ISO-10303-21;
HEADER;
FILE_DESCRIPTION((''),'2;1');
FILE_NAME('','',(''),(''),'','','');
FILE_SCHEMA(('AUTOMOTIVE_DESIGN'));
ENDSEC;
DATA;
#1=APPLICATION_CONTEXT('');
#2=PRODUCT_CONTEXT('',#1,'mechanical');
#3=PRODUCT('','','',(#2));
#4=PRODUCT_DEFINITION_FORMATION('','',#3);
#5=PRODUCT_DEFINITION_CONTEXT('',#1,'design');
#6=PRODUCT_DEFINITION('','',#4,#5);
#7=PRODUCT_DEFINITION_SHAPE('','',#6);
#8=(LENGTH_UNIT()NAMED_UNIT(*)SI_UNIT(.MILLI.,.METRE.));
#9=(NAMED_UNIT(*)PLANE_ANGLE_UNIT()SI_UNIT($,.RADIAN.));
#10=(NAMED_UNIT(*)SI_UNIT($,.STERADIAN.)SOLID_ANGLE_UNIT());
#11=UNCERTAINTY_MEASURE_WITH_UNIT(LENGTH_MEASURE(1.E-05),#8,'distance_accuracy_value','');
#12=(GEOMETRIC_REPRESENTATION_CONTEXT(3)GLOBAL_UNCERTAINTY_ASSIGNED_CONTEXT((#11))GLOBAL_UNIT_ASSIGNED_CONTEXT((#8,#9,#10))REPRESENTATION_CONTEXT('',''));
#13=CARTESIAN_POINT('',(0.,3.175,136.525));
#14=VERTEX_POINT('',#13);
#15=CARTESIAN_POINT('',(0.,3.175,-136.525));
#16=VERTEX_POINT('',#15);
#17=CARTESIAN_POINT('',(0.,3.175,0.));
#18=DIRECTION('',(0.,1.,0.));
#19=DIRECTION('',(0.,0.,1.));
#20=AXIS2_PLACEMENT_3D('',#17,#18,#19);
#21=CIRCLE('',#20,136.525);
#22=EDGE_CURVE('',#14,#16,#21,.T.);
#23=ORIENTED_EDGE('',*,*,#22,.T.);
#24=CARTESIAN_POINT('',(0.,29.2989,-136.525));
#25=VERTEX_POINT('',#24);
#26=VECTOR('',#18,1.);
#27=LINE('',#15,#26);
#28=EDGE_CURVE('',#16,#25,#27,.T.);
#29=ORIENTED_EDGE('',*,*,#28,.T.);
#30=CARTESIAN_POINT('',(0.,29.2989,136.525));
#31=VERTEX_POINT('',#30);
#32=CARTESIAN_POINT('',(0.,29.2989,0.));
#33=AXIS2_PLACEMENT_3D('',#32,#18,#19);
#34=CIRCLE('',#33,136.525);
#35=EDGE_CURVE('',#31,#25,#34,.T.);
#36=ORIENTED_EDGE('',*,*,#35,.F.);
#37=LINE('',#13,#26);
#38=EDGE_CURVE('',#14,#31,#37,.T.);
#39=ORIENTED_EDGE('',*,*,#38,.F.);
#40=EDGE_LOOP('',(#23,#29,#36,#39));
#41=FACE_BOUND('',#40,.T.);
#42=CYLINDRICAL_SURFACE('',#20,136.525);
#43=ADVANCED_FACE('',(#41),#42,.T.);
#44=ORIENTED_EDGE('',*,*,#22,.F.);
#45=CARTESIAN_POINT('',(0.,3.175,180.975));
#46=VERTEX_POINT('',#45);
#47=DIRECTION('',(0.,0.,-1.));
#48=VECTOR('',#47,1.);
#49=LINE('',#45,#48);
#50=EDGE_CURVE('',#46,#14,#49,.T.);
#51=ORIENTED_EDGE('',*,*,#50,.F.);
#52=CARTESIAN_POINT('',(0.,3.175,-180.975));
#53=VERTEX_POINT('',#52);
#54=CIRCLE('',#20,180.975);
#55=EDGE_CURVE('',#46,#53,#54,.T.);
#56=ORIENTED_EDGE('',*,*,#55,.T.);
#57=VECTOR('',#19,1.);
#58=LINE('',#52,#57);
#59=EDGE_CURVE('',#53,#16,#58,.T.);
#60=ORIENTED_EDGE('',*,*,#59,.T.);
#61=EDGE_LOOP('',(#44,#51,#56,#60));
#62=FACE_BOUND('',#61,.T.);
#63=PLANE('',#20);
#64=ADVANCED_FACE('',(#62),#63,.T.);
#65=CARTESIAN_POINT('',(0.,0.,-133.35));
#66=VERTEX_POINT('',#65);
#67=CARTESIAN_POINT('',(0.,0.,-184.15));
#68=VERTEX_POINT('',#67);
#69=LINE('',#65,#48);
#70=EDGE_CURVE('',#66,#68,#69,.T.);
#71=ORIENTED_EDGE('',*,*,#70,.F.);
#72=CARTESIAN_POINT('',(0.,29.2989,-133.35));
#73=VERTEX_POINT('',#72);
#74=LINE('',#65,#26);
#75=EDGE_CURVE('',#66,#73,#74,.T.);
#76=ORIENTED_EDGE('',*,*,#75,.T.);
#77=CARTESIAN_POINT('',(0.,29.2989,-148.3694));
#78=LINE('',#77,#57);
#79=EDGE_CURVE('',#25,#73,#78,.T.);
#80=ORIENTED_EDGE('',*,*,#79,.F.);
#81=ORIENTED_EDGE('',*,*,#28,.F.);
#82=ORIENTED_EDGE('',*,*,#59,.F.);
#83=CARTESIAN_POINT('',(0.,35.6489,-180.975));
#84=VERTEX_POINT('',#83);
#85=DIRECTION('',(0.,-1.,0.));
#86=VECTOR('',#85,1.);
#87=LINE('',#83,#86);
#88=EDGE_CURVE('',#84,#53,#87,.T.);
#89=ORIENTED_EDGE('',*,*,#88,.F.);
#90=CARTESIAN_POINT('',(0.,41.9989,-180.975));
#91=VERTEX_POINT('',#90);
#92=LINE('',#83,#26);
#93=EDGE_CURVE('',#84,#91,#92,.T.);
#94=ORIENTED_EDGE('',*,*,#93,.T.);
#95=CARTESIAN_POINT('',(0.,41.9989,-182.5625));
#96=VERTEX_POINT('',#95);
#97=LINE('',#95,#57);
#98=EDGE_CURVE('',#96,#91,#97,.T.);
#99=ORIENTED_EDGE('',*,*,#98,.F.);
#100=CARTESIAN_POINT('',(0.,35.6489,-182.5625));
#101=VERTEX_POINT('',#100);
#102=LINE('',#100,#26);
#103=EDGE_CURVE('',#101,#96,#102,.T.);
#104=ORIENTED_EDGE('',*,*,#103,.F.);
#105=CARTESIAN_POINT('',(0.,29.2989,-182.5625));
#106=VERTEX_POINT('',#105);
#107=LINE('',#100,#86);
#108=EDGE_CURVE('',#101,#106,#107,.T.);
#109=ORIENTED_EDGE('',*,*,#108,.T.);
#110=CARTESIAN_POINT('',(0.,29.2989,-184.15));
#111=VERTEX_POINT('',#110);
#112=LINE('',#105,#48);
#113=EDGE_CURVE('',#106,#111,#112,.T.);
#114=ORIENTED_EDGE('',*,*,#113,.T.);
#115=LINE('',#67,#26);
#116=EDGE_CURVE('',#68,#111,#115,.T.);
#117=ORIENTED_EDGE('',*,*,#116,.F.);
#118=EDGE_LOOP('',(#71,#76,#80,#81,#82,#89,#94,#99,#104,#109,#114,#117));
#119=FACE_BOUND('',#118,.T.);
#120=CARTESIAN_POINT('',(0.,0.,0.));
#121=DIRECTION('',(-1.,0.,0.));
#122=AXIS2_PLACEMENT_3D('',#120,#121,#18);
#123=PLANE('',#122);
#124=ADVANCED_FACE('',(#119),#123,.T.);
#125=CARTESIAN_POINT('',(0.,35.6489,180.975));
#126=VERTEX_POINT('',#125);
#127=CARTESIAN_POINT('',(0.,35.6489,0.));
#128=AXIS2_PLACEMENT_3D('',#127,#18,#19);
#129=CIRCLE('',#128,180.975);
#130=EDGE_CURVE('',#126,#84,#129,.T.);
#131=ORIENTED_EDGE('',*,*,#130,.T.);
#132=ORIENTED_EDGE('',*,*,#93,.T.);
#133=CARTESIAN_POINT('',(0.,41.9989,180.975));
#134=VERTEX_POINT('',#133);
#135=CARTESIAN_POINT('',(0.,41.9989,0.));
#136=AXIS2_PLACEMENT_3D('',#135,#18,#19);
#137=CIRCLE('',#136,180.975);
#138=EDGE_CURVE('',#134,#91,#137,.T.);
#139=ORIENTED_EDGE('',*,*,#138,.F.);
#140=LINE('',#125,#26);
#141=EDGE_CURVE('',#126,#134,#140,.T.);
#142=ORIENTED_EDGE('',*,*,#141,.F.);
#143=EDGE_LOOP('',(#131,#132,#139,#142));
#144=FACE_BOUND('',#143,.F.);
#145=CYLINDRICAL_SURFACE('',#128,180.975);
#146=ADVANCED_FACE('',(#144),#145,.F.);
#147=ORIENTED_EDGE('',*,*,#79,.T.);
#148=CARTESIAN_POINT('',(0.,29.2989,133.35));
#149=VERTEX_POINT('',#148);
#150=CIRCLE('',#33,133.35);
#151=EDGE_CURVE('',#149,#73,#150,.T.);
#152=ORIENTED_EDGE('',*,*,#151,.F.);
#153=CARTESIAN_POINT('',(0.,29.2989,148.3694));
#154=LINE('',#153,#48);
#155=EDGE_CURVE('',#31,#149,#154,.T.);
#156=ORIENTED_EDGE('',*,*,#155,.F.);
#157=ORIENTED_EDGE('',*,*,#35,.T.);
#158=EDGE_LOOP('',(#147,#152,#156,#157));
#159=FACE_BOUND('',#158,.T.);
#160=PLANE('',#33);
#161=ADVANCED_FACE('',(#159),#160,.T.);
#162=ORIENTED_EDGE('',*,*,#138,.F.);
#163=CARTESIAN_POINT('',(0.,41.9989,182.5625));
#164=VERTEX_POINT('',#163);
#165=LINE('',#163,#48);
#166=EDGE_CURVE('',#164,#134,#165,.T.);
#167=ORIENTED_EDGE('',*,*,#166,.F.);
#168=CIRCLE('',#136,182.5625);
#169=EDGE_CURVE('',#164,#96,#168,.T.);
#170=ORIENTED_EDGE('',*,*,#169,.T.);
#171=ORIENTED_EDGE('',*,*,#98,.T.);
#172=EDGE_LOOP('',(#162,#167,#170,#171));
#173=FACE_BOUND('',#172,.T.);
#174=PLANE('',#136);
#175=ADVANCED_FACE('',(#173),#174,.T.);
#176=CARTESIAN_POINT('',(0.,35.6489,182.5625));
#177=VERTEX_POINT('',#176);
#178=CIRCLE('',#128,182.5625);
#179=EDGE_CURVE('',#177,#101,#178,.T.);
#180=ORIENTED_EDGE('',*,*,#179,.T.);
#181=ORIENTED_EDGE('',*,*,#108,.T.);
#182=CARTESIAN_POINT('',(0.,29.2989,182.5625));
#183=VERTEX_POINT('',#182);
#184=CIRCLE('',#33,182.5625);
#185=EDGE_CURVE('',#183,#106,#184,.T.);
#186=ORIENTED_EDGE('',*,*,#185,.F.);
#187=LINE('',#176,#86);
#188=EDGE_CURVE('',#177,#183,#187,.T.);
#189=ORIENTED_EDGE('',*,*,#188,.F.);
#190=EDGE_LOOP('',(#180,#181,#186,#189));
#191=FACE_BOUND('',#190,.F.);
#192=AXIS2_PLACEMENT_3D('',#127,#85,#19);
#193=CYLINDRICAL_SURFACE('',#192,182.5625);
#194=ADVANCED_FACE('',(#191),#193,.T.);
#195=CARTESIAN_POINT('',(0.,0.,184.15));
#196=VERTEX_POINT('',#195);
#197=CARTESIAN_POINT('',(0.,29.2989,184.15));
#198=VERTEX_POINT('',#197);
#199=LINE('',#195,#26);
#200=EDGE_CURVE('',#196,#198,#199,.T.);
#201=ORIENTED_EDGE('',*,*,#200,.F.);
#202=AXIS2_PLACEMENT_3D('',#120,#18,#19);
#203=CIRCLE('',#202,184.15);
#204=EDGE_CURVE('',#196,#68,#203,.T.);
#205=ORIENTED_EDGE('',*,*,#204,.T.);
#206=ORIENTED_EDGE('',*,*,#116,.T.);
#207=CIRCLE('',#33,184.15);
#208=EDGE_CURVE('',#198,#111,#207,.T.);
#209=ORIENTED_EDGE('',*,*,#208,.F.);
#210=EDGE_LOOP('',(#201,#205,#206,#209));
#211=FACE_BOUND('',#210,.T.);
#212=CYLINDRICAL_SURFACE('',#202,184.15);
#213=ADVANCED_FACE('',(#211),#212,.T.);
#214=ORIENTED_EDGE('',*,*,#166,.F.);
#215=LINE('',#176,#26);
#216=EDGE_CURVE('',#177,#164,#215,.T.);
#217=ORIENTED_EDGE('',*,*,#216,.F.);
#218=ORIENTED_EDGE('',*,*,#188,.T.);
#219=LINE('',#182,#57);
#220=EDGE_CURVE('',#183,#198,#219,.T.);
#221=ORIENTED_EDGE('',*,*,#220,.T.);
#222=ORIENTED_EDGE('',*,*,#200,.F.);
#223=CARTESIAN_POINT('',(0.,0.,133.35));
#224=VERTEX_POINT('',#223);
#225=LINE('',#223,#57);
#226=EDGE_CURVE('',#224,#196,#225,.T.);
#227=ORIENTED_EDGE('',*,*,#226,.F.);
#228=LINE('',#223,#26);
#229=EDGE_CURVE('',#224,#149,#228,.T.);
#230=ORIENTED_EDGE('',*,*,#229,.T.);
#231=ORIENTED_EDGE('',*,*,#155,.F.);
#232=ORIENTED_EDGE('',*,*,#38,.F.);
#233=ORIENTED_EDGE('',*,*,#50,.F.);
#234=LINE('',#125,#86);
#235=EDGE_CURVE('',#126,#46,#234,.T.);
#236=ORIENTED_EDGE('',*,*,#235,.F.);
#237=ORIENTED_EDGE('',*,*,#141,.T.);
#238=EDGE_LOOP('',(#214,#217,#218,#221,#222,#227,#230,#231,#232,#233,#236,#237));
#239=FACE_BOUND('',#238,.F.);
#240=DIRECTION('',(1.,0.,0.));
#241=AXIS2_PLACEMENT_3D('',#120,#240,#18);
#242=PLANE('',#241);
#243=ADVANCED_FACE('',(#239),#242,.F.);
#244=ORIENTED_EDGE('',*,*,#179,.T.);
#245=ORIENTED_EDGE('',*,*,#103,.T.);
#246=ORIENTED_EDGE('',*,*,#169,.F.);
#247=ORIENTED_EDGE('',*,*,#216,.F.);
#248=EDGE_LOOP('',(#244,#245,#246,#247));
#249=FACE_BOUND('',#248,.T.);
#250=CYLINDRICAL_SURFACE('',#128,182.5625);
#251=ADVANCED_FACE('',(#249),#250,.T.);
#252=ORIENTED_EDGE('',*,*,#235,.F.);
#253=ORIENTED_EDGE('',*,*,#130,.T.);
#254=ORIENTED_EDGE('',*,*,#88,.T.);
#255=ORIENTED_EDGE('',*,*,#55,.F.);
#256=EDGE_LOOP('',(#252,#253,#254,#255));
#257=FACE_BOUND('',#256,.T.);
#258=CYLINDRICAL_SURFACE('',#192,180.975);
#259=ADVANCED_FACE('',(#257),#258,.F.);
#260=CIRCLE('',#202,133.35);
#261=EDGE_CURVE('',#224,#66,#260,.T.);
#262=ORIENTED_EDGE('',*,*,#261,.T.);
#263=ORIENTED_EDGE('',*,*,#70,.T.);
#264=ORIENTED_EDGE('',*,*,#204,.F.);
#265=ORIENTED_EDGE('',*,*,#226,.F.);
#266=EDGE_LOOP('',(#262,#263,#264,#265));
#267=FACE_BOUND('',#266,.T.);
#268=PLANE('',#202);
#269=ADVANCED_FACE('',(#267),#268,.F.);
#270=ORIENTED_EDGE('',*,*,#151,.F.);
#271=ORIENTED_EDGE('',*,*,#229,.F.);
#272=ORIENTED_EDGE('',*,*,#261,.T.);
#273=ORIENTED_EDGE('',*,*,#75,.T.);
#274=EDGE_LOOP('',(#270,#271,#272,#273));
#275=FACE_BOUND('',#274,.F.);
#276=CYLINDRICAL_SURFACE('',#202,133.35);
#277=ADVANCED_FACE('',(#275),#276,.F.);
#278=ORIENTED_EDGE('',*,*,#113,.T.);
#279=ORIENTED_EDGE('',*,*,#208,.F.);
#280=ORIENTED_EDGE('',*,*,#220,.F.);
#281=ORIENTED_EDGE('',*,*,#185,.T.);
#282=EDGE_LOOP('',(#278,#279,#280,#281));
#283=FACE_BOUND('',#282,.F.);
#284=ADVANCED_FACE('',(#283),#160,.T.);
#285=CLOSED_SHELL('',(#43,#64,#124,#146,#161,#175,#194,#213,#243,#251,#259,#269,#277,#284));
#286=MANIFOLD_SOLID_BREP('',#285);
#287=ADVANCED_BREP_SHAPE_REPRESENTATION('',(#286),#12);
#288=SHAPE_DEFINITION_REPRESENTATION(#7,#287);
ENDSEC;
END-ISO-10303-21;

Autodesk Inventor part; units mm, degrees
ref_plane "YZ Plane" through (0, 0, 0) normal (1, 0, 0) x (0, 1, 0)
ref_plane "XZ Plane" through (0, 0, 0) normal (0, 1, 0) x (-1, 0, 0)
ref_plane "XY Plane" through (0, 0, 0) normal (0, 0, 1) x (1, 0, 0)
sketch "Sketch1" plane through (0, 0, 0) normal (1, 0, 0) x (0, 1, 0)
  line L0 (0, 0) -> (50.8, 0)
  line L1 (0, 133.35) -> (0, 184.15)
  line L2 (0, 184.15) -> (29.2989, 184.15)
  line L3 (73.025, 184.15) -> (73.025, 133.35)
  line L4 (3.175, 180.975) -> (3.175, 136.525)
  line L5 (69.85, 136.525) -> (69.85, 180.975)
  line L6 (29.2989, 148.3694) -> (29.2989, 120.4477)
  line L7 (41.9989, 148.9666) -> (41.9989, 122.6874)
  line L8 (0, 133.35) -> (29.2989, 133.35)
  line L9 (41.9989, 133.35) -> (73.025, 133.35)
  line L10 (3.175, 136.525) -> (29.2989, 136.525)
  line L11 (41.9989, 136.525) -> (69.85, 136.525)
  line L12 (35.6489, 182.5625) -> (41.9989, 182.5625)
  line L13 (41.9989, 182.5625) -> (41.9989, 180.975)
  line L14 (35.6489, 182.5625) -> (29.2989, 182.5625)
  line L15 (29.2989, 182.5625) -> (29.2989, 184.15)
  line L16 (69.85, 180.975) -> (41.9989, 180.975)
  line L17 (35.6489, 180.975) -> (3.175, 180.975)
  line L18 (35.6489, 170.617) -> (35.6489, 180.975)
  line L19 (35.6489, 184.15) -> (35.6489, 201.7381)
  line L20 (35.6489, 180.975) -> (41.9989, 180.975)
  point P0 (3.175, 180.975)
  point P1 (69.85, 136.525)
  dimension "d0" = 50.8
  dimension "d3" = 50.8
  dimension "d4" = 73.025
  dimension "d5" = 3.175
  dimension "d6" = 3.175
  dimension "d7" = 3.175
  dimension "d8" = 3.175
  dimension "d9" = 3.175
  dimension "d11" = 3.175
  dimension "d13" = 26.1239
  dimension "d14" = 12.7
  dimension "d16" = 133.35
  dimension "d17" = 3.175
  dimension "d18" = 3.175
  dimension "d19" = 6.35
  dimension "d21" = 6.35
  dimension "d22" = 6.35
revolve "Revolution1" add sketch "Sketch1" angle 180 about axis through (0, 0, 0) along (0, 1, 0)
properties part number "Outer_Shell_Bottom"
